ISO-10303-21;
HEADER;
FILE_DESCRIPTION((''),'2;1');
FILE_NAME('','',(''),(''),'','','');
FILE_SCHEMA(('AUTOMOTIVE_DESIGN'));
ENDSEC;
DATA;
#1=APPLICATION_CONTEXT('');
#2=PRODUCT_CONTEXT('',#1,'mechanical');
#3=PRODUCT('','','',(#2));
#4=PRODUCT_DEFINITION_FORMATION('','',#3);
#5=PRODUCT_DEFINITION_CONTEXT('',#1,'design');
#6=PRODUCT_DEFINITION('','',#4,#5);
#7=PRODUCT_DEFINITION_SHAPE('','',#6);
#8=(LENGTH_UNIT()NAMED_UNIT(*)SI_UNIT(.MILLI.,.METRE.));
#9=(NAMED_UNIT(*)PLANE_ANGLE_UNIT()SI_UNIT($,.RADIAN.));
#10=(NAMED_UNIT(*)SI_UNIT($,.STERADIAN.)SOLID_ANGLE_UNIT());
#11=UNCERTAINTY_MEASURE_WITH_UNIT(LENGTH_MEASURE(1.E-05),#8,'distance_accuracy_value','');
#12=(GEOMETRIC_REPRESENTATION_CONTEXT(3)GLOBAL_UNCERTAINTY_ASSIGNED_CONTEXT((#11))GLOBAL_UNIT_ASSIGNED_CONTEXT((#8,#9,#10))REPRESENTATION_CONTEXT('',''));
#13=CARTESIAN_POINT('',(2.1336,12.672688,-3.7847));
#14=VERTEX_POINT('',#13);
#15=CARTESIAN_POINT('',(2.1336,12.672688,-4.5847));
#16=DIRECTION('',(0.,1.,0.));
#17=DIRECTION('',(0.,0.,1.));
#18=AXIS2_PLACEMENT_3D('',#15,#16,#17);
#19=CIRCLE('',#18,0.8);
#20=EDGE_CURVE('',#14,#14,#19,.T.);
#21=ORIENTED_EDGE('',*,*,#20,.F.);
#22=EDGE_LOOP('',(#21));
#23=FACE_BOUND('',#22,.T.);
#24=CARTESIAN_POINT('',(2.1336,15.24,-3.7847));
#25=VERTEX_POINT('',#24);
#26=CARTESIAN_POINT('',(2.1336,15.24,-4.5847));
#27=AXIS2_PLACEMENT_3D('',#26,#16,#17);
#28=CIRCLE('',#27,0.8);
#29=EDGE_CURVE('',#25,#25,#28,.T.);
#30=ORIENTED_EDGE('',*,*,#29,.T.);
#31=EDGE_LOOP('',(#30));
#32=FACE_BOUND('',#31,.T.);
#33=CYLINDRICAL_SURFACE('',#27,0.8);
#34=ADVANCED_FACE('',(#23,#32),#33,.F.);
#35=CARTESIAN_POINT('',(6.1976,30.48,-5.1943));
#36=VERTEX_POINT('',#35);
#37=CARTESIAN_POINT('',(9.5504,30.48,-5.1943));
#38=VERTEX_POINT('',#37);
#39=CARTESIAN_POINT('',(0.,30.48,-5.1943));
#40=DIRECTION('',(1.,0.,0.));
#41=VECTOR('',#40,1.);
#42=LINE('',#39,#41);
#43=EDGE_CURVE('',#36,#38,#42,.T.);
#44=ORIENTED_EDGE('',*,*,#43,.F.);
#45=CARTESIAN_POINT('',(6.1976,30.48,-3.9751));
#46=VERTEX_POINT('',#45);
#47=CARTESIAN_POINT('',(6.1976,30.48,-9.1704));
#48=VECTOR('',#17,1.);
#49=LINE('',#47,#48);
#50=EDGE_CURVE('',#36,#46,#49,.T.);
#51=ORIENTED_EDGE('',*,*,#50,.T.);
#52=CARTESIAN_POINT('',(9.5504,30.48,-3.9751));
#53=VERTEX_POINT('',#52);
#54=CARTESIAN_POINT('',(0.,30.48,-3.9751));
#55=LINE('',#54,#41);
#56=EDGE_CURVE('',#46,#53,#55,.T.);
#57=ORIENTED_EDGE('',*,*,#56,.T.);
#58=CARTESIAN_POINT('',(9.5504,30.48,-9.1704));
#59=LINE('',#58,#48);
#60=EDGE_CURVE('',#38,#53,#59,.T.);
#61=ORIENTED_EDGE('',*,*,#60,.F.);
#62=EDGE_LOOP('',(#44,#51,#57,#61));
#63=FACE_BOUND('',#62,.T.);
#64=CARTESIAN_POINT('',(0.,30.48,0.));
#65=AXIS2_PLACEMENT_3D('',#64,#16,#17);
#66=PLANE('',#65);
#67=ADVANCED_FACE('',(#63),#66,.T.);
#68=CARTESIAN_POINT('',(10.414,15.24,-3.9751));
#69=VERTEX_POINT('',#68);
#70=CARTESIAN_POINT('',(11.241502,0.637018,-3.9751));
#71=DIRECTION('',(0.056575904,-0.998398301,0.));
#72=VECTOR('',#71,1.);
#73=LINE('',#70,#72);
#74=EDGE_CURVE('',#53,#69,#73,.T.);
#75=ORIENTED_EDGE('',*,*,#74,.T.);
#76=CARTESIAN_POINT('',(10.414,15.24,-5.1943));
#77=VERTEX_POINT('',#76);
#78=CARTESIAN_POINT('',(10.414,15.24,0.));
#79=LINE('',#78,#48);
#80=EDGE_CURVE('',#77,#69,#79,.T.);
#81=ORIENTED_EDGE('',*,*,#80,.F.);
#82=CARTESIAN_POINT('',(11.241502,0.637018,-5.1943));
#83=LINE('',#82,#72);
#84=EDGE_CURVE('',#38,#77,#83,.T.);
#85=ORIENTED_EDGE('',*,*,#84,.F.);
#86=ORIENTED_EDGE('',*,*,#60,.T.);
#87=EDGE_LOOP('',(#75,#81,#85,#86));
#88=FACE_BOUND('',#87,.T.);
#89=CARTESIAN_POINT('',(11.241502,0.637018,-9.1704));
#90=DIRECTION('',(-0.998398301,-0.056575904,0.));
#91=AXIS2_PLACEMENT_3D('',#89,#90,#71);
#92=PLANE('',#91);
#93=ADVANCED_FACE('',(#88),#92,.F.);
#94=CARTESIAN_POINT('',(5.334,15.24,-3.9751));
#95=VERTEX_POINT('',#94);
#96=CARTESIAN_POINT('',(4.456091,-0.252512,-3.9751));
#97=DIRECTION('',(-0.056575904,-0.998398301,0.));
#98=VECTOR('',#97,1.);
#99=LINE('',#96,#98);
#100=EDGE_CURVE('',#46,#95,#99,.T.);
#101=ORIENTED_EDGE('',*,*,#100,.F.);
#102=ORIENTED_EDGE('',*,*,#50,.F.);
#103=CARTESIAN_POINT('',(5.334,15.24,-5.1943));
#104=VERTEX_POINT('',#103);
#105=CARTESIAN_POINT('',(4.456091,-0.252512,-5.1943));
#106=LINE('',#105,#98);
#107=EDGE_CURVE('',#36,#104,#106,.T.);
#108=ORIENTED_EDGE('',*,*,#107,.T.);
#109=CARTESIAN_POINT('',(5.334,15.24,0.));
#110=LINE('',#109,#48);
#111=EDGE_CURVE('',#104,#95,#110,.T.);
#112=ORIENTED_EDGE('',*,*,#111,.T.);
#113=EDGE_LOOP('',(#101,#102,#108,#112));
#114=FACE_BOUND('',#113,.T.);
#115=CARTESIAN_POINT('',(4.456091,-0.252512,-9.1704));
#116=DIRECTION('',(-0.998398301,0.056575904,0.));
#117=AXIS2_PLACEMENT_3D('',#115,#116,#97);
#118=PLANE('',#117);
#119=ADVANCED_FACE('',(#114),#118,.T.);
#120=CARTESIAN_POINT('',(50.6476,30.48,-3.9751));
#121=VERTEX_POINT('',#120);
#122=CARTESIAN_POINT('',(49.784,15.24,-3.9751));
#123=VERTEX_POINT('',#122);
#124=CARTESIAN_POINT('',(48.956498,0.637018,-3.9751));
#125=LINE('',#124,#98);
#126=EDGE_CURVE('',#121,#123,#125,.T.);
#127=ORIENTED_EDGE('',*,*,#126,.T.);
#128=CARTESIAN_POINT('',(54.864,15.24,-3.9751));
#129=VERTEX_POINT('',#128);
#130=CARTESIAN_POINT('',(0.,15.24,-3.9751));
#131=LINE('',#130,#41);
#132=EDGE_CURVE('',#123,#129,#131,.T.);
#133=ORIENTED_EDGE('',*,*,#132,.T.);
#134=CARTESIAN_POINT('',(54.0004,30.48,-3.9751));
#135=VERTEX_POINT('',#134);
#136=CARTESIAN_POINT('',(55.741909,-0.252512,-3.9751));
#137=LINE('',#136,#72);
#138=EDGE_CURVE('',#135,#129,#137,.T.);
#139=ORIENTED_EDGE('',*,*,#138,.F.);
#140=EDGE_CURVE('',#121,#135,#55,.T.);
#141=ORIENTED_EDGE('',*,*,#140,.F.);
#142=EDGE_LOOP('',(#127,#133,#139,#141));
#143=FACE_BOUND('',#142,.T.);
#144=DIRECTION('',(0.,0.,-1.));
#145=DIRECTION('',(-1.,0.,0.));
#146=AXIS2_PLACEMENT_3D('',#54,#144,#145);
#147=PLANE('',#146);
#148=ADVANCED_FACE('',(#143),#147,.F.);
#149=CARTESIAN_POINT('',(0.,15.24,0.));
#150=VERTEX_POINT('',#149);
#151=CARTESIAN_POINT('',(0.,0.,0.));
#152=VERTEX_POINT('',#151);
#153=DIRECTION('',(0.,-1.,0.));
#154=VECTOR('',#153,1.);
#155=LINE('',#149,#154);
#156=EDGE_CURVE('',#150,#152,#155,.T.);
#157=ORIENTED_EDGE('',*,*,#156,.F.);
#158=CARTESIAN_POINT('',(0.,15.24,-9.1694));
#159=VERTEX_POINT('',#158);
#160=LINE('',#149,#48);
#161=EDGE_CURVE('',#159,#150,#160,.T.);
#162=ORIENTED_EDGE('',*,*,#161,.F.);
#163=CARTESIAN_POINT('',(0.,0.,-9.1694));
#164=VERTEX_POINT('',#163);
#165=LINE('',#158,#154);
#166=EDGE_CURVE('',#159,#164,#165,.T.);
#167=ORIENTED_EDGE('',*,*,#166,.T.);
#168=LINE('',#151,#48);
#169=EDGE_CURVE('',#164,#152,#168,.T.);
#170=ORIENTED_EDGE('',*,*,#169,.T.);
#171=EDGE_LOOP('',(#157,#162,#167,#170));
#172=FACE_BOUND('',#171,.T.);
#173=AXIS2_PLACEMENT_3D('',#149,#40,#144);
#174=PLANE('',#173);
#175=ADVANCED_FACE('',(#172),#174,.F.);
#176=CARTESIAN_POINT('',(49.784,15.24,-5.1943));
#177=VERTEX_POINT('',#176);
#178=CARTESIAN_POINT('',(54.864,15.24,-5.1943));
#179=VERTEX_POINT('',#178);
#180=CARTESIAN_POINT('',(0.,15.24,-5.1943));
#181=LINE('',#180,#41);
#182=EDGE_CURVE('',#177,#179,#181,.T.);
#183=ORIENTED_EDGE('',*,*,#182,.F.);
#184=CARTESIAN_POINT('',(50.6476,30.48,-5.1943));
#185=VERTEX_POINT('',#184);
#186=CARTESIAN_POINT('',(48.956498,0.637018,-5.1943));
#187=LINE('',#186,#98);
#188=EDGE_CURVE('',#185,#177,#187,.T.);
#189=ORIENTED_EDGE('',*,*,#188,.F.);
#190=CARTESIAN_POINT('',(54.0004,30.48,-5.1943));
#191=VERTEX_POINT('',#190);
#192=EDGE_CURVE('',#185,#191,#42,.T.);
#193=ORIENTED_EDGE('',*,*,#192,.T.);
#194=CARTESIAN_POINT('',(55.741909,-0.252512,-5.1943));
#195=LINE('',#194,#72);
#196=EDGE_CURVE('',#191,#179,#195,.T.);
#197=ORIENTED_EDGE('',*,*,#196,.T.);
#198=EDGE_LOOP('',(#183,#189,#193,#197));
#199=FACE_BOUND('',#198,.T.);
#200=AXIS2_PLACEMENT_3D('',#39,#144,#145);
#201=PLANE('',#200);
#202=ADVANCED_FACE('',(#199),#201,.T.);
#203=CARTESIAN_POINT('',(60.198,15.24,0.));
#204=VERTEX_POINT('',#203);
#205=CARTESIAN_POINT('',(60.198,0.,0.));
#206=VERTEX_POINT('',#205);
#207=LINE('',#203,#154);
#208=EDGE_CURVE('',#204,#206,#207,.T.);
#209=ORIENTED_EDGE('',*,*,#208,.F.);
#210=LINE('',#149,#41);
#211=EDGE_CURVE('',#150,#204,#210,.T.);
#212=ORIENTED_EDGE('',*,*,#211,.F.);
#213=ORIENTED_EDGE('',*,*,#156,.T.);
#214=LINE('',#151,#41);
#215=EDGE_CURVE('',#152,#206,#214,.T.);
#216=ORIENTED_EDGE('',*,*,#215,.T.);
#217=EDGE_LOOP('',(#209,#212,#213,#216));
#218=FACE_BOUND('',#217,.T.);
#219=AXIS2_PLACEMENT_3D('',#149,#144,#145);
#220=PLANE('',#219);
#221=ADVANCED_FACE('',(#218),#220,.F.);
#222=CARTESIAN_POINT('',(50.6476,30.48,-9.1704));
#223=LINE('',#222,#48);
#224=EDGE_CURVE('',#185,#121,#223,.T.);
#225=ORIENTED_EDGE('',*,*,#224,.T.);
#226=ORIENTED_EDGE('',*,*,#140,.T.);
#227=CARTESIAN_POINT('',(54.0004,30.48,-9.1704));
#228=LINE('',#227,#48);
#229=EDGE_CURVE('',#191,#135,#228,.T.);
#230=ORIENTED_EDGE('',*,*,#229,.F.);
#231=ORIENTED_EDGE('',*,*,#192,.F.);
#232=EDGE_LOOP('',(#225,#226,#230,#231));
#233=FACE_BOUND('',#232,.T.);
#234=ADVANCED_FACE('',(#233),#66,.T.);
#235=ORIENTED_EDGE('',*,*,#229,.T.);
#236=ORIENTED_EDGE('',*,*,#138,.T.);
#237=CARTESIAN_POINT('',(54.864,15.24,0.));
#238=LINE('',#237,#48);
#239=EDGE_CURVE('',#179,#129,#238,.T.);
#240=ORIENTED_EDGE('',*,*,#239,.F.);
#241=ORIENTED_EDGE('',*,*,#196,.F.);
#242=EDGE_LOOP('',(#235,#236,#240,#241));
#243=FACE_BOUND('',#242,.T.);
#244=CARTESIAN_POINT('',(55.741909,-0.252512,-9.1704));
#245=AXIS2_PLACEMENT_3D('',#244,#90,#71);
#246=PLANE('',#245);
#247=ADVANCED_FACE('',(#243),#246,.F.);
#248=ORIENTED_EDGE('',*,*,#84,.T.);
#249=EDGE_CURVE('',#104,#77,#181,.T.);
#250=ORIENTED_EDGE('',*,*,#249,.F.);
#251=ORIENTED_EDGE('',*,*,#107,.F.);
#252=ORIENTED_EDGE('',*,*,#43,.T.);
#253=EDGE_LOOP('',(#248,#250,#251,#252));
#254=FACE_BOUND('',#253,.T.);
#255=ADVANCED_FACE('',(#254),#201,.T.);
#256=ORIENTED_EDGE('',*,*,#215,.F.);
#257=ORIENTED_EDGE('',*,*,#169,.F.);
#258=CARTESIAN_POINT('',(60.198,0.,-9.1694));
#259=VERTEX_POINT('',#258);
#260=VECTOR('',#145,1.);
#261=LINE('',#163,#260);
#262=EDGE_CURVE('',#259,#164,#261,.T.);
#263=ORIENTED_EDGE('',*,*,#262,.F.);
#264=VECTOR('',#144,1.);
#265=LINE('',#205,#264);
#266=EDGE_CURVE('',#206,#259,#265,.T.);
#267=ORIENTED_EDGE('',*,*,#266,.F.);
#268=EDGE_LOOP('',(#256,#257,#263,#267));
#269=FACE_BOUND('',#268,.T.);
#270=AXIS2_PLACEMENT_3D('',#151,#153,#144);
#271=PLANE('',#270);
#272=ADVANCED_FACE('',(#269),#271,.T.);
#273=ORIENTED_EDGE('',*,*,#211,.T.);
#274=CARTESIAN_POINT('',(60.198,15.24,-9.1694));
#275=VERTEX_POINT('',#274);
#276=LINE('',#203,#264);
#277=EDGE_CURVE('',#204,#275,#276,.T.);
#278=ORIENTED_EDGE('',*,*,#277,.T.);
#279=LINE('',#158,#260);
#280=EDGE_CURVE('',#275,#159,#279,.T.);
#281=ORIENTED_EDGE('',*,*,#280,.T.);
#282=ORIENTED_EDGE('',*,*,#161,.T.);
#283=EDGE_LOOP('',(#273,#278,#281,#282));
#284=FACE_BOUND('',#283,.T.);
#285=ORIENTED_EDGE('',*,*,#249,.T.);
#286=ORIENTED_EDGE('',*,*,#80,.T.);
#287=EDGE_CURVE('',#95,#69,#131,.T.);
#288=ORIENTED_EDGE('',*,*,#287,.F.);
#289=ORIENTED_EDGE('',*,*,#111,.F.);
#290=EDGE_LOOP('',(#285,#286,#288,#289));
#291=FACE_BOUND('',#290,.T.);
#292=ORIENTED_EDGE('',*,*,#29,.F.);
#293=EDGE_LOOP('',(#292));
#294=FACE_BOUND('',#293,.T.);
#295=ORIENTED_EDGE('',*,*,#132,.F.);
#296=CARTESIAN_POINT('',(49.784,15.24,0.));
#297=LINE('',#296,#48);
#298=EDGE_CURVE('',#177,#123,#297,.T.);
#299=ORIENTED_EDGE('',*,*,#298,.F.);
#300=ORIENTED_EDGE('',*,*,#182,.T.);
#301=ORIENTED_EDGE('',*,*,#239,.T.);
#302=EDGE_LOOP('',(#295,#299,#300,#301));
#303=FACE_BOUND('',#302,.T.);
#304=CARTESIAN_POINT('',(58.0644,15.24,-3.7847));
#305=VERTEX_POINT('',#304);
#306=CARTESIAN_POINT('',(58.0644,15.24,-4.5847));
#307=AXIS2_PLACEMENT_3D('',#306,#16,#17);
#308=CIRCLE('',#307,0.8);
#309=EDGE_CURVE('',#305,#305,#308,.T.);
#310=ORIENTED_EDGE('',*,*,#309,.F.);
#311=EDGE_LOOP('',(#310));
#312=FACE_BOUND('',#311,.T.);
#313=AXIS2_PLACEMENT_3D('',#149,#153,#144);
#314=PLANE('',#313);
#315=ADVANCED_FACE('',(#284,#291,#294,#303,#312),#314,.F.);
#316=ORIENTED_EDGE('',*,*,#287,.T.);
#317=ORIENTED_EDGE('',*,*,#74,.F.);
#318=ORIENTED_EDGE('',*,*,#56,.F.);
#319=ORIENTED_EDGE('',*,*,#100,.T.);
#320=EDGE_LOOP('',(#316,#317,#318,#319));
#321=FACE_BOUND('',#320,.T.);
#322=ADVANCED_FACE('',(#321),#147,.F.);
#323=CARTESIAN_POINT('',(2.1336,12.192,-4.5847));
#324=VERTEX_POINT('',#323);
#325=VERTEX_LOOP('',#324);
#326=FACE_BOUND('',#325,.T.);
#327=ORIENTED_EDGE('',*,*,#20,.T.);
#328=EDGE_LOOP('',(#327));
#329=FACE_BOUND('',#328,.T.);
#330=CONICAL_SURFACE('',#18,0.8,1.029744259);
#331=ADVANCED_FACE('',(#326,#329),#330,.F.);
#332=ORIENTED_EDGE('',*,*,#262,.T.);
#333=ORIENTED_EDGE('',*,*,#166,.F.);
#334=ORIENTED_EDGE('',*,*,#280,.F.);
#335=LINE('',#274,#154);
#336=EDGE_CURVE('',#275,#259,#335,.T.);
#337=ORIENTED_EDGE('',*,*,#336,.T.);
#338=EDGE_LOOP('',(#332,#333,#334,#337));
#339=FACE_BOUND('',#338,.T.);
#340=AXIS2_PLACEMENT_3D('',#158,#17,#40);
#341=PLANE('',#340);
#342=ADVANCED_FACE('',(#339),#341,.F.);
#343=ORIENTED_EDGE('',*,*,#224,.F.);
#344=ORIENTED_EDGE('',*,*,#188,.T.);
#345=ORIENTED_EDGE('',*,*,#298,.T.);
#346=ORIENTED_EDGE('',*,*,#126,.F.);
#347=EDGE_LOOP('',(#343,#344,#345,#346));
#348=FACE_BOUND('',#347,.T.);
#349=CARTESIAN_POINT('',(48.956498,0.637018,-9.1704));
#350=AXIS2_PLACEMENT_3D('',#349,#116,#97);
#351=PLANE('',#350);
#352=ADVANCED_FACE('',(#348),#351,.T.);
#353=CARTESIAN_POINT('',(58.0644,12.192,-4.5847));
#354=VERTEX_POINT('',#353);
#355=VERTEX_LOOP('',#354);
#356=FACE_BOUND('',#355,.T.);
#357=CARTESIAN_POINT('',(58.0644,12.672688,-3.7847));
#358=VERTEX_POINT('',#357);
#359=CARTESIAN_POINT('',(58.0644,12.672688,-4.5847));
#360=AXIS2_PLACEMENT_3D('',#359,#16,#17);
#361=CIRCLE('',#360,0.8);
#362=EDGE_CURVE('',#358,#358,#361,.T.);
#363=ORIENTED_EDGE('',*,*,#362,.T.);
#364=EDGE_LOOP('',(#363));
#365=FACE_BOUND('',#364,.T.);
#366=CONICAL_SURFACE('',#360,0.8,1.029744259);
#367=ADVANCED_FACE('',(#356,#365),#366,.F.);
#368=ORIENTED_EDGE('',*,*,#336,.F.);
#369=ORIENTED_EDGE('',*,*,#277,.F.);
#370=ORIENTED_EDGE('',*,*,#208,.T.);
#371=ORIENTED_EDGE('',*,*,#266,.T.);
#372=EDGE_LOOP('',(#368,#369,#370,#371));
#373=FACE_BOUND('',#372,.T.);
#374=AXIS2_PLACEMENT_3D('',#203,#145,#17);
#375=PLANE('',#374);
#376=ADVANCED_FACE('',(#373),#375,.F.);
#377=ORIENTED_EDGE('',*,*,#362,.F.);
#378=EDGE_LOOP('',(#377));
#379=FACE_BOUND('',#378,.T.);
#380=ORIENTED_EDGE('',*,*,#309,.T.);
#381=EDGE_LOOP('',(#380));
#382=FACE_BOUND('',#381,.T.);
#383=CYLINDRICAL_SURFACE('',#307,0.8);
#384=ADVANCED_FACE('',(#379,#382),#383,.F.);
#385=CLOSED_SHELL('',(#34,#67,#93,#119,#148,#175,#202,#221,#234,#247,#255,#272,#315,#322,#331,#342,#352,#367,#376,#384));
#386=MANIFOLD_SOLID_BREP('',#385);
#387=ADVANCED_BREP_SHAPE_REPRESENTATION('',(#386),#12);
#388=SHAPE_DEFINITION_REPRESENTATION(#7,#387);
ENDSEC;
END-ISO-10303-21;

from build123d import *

# Parameters (mm, degrees)
SKETCH1_W                 = 60.198
SKETCH1_H                 = 9.1694
BOSS_EXTRUDE1_DEPTH       = 15.24
SKETCH2_W                 = 5.08
SKETCH2_H                 = 1.2192
BOSS_EXTRUDE2_DEPTH       = 15.24
CUT_EXTRUDE1_REACH        = 69.674
M2X0_4_TAPPED_HOLE1_D     = 1.6
M2X0_4_TAPPED_HOLE1_DEPTH = 2.567311505
M2X0_4_TAPPED_HOLE1_TIP   = 0.480688495


with BuildPart() as part:
    # Sketch1 → Boss-Extrude1 (new body)
    with BuildSketch(Plane(origin=(0, 0, 0), x_dir=(1, 0, 0), z_dir=(0, 1, 0))):
        with Locations((30.099, 4.5847)):
            Rectangle(SKETCH1_W, SKETCH1_H)
    extrude(amount=BOSS_EXTRUDE1_DEPTH)

    # Sketch2 → Boss-Extrude2 (add)
    with BuildSketch(Plane(origin=(0, 15.24, 0), x_dir=(1, 0, 0), z_dir=(0, 1, 0))):
        with Locations((7.874, 4.5847)):
            Rectangle(SKETCH2_W, SKETCH2_H)
        with Locations((52.324, 4.5847)):
            Rectangle(SKETCH2_W, SKETCH2_H)
    extrude(amount=BOSS_EXTRUDE2_DEPTH)

    # Sketch3 → Cut-Extrude1 (cut, up to next)
    with BuildSketch(Plane.XY.offset(-3.9751), mode=Mode.PRIVATE) as cut_extrude1_sk1:
        Polygon((5.334, 15.24), (6.1976, 30.48), (5.334, 30.48), align=None)
    cut_extrude1_tool1 = extrude(cut_extrude1_sk1.sketch, amount=-CUT_EXTRUDE1_REACH, mode=Mode.PRIVATE) & part.part
    # Sketch3 → Cut-Extrude1 (cut, up to next)
    with BuildSketch(Plane.XY.offset(-3.9751), mode=Mode.PRIVATE) as cut_extrude1_sk2:
        Polygon((10.414, 30.48), (9.5504, 30.48), (10.414, 15.24), align=None)
    cut_extrude1_tool2 = extrude(cut_extrude1_sk2.sketch, amount=-CUT_EXTRUDE1_REACH, mode=Mode.PRIVATE) & part.part
    cut_extrude1_1 = cut_extrude1_tool1.solids().sort_by_distance((5.621867, 25.4, -3.9751))[0]
    add(cut_extrude1_1, mode=Mode.SUBTRACT)
    cut_extrude1_2 = cut_extrude1_tool2.solids().sort_by_distance((10.126133, 25.4, -3.9751))[0]
    add(cut_extrude1_2, mode=Mode.SUBTRACT)
    cut_extrude1 = cut_extrude1_1 + cut_extrude1_2  # Cut-Extrude1 as one shape, for the pattern or mirror that repeats it

    # Mirror1: Cut-Extrude1 across plane
    add(cut_extrude1.mirror(Plane(origin=(30.099, 0, 0), x_dir=(0, 0, 1), z_dir=(1, 0, 0))), mode=Mode.SUBTRACT)

    # M2x0.4 Tapped Hole1
    with Locations(Plane(origin=(0, 15.24, 0), x_dir=(1, 0, 0), z_dir=(0, 1, 0))):
        with Locations((2.1336, 4.5847), (58.0644, 4.5847)):
            Hole(M2X0_4_TAPPED_HOLE1_D / 2, depth=M2X0_4_TAPPED_HOLE1_DEPTH)
            with Locations((0, 0, -(M2X0_4_TAPPED_HOLE1_DEPTH + M2X0_4_TAPPED_HOLE1_TIP / 2))):  # 118° drill point
                Cone(0, M2X0_4_TAPPED_HOLE1_D / 2, M2X0_4_TAPPED_HOLE1_TIP, mode=Mode.SUBTRACT)


solid = part.part
